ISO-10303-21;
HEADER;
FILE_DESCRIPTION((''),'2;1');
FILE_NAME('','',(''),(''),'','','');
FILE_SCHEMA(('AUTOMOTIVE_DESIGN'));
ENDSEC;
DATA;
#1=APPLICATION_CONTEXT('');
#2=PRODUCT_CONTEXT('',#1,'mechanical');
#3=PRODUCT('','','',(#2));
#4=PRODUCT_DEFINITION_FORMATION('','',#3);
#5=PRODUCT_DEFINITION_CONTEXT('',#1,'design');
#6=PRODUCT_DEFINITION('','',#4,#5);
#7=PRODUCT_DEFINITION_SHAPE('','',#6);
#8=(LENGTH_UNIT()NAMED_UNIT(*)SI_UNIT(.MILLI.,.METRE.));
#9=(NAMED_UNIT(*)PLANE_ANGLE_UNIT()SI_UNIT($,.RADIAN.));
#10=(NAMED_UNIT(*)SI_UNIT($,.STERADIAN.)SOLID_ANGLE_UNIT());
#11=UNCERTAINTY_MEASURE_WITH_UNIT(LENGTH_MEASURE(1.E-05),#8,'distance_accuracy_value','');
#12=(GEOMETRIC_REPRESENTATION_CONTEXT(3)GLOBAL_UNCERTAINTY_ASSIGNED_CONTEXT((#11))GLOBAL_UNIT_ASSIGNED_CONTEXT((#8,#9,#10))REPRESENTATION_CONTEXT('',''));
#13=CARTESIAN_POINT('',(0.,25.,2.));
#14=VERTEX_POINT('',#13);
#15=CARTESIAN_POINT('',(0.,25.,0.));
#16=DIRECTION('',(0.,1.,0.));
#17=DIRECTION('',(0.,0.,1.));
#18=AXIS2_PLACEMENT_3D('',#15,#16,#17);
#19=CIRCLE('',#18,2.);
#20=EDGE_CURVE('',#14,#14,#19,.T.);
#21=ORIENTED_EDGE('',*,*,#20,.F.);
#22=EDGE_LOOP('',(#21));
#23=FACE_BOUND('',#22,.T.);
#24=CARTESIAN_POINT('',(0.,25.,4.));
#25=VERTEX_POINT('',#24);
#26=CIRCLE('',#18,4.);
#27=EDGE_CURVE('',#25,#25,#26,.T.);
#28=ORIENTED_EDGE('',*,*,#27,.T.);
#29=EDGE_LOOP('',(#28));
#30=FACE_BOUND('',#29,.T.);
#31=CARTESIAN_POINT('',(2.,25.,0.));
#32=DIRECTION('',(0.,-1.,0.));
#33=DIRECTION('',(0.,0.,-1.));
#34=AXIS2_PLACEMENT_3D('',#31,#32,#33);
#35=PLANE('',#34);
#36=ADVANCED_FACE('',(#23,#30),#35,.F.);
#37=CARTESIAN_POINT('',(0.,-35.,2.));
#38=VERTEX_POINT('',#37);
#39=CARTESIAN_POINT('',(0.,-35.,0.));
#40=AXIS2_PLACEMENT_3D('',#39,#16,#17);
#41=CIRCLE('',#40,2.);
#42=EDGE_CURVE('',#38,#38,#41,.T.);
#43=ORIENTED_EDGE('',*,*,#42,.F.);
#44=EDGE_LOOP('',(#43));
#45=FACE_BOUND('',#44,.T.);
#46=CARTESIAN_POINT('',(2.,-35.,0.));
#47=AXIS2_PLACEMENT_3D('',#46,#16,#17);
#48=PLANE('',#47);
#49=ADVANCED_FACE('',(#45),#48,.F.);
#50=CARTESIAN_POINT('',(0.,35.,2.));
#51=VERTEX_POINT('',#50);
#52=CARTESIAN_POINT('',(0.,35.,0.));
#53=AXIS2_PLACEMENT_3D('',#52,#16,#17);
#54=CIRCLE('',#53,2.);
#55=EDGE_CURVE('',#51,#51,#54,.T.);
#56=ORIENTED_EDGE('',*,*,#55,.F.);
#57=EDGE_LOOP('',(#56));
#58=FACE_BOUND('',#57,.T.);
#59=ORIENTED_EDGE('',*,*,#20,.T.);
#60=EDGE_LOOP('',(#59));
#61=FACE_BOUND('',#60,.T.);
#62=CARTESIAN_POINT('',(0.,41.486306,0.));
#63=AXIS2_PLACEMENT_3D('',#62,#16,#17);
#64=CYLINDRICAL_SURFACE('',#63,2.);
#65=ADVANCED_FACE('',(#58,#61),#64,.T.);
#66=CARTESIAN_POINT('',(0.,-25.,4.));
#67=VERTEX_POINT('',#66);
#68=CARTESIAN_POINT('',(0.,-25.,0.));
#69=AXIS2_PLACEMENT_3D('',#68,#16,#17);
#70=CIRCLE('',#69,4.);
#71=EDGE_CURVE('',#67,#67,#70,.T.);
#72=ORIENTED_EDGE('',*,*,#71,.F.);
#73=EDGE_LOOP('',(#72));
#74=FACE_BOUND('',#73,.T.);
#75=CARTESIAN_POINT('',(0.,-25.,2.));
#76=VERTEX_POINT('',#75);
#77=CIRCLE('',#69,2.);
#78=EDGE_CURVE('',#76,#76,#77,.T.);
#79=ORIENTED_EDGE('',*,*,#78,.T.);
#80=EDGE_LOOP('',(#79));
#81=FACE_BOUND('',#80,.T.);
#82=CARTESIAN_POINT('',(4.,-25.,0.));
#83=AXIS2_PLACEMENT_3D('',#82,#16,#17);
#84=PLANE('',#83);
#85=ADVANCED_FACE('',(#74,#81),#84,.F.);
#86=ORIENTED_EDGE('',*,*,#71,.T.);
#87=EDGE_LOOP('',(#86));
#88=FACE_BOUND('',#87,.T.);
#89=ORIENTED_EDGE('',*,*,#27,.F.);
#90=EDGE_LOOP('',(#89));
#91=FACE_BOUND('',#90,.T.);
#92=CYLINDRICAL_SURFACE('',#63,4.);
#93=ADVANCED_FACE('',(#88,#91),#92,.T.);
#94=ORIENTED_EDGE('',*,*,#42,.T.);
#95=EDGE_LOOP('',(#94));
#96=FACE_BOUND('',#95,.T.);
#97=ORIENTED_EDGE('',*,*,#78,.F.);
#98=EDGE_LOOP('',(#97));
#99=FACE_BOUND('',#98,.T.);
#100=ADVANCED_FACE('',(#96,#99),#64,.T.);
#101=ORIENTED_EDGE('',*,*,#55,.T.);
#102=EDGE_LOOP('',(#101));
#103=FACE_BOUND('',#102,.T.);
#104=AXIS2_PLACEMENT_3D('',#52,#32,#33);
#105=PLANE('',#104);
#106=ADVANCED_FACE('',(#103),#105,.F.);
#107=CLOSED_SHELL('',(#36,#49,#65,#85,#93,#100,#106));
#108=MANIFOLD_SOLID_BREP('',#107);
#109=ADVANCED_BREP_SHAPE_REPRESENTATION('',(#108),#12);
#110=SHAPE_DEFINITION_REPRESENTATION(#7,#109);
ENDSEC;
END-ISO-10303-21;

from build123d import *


with BuildPart() as part:
    # Sketch1 → Revolve1 (revolve)
    with BuildSketch(Plane.XY, mode=Mode.PRIVATE) as revolve1_sk:
        Polygon((0, 35), (2, 35), (2, 25), (4, 25), (4, -25), (2, -25), (2, -35), (0, -35), align=None)
    revolve(revolve1_sk.sketch.rotate(Axis((0, 41.486306348, 0), (0, -1, 0)), 90), axis=Axis((0, 41.486306348, 0), (0, -1, 0)))


solid = part.part
